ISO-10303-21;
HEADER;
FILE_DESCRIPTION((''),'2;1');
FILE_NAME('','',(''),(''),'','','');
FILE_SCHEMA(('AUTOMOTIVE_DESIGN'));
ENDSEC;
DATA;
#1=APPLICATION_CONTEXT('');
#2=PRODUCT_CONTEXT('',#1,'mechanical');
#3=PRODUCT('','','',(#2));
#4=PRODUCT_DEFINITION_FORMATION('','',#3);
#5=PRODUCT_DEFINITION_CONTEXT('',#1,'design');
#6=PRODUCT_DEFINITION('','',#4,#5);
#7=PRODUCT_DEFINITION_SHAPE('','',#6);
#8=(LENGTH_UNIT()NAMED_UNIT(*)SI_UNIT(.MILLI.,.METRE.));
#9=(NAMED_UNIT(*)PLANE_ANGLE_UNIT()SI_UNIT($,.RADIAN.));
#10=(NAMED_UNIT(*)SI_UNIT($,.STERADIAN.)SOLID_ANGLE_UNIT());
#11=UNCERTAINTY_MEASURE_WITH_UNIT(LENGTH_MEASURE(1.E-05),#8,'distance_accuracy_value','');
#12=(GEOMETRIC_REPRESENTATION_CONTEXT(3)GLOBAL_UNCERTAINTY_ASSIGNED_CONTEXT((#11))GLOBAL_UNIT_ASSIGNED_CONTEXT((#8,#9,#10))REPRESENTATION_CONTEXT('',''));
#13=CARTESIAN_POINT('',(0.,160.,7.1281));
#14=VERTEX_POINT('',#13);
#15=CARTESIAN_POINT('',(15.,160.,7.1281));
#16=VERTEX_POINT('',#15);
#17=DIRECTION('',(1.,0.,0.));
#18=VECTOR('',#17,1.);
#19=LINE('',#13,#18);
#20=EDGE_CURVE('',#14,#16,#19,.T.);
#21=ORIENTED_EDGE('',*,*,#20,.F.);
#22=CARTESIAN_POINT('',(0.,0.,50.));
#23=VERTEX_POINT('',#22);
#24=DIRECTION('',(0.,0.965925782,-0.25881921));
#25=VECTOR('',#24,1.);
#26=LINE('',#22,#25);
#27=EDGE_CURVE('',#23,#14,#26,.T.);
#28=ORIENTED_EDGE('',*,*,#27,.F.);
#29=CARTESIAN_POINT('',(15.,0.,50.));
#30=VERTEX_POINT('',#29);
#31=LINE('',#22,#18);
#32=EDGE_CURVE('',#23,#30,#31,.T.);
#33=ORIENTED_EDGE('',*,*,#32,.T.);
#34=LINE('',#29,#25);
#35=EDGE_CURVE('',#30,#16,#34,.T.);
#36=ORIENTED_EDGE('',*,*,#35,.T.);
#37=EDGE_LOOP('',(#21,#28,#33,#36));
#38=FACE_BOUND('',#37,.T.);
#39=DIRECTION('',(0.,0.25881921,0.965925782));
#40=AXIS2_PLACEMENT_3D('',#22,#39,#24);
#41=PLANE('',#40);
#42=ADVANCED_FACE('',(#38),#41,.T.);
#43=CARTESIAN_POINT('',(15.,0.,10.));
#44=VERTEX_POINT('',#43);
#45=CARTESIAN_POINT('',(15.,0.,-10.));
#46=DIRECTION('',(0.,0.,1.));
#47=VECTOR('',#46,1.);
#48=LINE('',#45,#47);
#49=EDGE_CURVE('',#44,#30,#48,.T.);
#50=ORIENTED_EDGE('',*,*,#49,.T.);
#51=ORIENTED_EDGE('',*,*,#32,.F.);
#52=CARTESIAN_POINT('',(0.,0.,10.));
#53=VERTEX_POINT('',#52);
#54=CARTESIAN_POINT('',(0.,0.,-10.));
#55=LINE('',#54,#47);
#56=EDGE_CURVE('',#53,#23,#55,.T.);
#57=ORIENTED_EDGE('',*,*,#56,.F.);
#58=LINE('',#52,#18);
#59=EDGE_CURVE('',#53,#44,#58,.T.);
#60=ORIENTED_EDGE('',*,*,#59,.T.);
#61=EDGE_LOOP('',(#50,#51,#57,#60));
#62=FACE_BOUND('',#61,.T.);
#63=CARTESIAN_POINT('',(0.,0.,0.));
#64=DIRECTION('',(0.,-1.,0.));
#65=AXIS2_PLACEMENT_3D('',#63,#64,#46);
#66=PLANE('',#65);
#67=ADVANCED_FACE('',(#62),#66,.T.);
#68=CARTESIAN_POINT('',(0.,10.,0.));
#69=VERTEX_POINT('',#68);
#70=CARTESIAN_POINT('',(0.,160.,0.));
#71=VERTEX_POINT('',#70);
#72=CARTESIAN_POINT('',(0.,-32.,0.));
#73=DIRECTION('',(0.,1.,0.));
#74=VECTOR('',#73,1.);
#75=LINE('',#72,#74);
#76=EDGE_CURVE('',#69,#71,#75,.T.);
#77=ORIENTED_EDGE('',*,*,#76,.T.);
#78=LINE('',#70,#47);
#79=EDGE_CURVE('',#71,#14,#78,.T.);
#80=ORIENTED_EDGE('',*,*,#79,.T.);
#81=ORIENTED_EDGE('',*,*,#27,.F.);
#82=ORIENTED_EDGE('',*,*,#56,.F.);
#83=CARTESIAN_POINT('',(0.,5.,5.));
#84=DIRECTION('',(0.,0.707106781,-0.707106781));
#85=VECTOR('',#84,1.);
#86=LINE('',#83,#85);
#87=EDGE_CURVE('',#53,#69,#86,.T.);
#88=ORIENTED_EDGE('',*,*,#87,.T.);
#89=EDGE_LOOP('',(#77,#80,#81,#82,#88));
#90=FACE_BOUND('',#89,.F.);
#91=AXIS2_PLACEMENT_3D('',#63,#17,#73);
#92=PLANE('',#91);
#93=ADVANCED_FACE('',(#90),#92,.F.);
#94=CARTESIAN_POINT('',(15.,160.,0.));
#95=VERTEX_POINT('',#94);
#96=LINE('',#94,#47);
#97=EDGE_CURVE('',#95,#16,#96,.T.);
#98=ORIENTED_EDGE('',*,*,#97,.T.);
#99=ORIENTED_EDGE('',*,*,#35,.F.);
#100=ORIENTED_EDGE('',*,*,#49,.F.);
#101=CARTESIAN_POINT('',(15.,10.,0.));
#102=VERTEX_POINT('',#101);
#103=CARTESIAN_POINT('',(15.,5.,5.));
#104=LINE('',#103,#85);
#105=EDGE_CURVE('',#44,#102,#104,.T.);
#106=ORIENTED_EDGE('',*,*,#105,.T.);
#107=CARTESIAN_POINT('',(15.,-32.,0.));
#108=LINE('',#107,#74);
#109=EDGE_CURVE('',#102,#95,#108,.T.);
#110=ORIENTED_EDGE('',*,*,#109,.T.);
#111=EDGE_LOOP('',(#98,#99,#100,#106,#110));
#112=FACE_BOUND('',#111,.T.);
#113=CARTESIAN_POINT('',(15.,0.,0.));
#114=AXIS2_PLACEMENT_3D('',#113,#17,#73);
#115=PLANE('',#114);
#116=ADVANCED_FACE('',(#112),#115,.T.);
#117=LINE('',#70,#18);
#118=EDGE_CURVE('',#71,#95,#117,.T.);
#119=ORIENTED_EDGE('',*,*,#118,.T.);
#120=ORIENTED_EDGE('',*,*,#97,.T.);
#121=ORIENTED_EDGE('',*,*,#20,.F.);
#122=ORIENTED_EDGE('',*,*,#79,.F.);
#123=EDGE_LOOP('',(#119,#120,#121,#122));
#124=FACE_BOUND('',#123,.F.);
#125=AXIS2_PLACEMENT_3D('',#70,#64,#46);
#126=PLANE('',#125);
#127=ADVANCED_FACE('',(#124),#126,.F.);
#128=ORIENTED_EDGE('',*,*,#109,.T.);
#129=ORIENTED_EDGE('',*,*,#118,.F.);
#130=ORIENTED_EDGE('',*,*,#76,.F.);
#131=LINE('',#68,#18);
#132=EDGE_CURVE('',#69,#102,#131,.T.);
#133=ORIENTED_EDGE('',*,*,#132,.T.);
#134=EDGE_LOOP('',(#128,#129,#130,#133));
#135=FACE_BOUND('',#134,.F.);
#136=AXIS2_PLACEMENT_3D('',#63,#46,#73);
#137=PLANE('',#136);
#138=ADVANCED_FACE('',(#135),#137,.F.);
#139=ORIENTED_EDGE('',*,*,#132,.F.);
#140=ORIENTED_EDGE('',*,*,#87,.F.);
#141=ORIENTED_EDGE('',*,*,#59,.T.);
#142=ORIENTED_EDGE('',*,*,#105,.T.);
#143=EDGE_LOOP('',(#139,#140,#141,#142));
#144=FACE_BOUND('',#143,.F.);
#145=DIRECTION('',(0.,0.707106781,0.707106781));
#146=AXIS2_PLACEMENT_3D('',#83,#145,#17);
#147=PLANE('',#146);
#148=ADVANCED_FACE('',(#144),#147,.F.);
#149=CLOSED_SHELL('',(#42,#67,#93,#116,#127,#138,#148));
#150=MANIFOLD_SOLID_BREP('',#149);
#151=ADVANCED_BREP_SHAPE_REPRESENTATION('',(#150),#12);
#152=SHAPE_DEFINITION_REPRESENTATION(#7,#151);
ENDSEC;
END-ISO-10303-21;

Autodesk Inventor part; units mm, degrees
ref_plane "YZ Plane" through (0, 0, 0) normal (1, 0, 0) x (0, 1, 0)
ref_plane "XZ Plane" through (0, 0, 0) normal (0, 1, 0) x (-1, 0, 0)
ref_plane "XY Plane" through (0, 0, 0) normal (0, 0, 1) x (1, 0, 0)
sketch "草圖1" plane through (0, 0, 0) normal (1, 0, 0) x (0, 1, 0)
  line L0 (-32, 0) -> (192, 0) projected
  line L1 (0, -10) -> (0, 60) projected
  line L2 (0, 0) -> (160, 0)
  line L3 (160, 0) -> (160, 50)
  line L4 (160, 50) -> (0, 50)
  line L5 (0, 50) -> (0, 0)
  line L6 (0, 50) -> (160, 7.1281)
  dimension "d0" = 160
  dimension "d1" = 50
  dimension "d2" = 75
extrude "擠出1" add sketch "草圖1" along normal blind 15 contours L1 L6 L3 L0
chamfer "倒角1" distance 10 angle 45 1 edges at (7.5, 0, 0)
properties part number "exercise3-18"
